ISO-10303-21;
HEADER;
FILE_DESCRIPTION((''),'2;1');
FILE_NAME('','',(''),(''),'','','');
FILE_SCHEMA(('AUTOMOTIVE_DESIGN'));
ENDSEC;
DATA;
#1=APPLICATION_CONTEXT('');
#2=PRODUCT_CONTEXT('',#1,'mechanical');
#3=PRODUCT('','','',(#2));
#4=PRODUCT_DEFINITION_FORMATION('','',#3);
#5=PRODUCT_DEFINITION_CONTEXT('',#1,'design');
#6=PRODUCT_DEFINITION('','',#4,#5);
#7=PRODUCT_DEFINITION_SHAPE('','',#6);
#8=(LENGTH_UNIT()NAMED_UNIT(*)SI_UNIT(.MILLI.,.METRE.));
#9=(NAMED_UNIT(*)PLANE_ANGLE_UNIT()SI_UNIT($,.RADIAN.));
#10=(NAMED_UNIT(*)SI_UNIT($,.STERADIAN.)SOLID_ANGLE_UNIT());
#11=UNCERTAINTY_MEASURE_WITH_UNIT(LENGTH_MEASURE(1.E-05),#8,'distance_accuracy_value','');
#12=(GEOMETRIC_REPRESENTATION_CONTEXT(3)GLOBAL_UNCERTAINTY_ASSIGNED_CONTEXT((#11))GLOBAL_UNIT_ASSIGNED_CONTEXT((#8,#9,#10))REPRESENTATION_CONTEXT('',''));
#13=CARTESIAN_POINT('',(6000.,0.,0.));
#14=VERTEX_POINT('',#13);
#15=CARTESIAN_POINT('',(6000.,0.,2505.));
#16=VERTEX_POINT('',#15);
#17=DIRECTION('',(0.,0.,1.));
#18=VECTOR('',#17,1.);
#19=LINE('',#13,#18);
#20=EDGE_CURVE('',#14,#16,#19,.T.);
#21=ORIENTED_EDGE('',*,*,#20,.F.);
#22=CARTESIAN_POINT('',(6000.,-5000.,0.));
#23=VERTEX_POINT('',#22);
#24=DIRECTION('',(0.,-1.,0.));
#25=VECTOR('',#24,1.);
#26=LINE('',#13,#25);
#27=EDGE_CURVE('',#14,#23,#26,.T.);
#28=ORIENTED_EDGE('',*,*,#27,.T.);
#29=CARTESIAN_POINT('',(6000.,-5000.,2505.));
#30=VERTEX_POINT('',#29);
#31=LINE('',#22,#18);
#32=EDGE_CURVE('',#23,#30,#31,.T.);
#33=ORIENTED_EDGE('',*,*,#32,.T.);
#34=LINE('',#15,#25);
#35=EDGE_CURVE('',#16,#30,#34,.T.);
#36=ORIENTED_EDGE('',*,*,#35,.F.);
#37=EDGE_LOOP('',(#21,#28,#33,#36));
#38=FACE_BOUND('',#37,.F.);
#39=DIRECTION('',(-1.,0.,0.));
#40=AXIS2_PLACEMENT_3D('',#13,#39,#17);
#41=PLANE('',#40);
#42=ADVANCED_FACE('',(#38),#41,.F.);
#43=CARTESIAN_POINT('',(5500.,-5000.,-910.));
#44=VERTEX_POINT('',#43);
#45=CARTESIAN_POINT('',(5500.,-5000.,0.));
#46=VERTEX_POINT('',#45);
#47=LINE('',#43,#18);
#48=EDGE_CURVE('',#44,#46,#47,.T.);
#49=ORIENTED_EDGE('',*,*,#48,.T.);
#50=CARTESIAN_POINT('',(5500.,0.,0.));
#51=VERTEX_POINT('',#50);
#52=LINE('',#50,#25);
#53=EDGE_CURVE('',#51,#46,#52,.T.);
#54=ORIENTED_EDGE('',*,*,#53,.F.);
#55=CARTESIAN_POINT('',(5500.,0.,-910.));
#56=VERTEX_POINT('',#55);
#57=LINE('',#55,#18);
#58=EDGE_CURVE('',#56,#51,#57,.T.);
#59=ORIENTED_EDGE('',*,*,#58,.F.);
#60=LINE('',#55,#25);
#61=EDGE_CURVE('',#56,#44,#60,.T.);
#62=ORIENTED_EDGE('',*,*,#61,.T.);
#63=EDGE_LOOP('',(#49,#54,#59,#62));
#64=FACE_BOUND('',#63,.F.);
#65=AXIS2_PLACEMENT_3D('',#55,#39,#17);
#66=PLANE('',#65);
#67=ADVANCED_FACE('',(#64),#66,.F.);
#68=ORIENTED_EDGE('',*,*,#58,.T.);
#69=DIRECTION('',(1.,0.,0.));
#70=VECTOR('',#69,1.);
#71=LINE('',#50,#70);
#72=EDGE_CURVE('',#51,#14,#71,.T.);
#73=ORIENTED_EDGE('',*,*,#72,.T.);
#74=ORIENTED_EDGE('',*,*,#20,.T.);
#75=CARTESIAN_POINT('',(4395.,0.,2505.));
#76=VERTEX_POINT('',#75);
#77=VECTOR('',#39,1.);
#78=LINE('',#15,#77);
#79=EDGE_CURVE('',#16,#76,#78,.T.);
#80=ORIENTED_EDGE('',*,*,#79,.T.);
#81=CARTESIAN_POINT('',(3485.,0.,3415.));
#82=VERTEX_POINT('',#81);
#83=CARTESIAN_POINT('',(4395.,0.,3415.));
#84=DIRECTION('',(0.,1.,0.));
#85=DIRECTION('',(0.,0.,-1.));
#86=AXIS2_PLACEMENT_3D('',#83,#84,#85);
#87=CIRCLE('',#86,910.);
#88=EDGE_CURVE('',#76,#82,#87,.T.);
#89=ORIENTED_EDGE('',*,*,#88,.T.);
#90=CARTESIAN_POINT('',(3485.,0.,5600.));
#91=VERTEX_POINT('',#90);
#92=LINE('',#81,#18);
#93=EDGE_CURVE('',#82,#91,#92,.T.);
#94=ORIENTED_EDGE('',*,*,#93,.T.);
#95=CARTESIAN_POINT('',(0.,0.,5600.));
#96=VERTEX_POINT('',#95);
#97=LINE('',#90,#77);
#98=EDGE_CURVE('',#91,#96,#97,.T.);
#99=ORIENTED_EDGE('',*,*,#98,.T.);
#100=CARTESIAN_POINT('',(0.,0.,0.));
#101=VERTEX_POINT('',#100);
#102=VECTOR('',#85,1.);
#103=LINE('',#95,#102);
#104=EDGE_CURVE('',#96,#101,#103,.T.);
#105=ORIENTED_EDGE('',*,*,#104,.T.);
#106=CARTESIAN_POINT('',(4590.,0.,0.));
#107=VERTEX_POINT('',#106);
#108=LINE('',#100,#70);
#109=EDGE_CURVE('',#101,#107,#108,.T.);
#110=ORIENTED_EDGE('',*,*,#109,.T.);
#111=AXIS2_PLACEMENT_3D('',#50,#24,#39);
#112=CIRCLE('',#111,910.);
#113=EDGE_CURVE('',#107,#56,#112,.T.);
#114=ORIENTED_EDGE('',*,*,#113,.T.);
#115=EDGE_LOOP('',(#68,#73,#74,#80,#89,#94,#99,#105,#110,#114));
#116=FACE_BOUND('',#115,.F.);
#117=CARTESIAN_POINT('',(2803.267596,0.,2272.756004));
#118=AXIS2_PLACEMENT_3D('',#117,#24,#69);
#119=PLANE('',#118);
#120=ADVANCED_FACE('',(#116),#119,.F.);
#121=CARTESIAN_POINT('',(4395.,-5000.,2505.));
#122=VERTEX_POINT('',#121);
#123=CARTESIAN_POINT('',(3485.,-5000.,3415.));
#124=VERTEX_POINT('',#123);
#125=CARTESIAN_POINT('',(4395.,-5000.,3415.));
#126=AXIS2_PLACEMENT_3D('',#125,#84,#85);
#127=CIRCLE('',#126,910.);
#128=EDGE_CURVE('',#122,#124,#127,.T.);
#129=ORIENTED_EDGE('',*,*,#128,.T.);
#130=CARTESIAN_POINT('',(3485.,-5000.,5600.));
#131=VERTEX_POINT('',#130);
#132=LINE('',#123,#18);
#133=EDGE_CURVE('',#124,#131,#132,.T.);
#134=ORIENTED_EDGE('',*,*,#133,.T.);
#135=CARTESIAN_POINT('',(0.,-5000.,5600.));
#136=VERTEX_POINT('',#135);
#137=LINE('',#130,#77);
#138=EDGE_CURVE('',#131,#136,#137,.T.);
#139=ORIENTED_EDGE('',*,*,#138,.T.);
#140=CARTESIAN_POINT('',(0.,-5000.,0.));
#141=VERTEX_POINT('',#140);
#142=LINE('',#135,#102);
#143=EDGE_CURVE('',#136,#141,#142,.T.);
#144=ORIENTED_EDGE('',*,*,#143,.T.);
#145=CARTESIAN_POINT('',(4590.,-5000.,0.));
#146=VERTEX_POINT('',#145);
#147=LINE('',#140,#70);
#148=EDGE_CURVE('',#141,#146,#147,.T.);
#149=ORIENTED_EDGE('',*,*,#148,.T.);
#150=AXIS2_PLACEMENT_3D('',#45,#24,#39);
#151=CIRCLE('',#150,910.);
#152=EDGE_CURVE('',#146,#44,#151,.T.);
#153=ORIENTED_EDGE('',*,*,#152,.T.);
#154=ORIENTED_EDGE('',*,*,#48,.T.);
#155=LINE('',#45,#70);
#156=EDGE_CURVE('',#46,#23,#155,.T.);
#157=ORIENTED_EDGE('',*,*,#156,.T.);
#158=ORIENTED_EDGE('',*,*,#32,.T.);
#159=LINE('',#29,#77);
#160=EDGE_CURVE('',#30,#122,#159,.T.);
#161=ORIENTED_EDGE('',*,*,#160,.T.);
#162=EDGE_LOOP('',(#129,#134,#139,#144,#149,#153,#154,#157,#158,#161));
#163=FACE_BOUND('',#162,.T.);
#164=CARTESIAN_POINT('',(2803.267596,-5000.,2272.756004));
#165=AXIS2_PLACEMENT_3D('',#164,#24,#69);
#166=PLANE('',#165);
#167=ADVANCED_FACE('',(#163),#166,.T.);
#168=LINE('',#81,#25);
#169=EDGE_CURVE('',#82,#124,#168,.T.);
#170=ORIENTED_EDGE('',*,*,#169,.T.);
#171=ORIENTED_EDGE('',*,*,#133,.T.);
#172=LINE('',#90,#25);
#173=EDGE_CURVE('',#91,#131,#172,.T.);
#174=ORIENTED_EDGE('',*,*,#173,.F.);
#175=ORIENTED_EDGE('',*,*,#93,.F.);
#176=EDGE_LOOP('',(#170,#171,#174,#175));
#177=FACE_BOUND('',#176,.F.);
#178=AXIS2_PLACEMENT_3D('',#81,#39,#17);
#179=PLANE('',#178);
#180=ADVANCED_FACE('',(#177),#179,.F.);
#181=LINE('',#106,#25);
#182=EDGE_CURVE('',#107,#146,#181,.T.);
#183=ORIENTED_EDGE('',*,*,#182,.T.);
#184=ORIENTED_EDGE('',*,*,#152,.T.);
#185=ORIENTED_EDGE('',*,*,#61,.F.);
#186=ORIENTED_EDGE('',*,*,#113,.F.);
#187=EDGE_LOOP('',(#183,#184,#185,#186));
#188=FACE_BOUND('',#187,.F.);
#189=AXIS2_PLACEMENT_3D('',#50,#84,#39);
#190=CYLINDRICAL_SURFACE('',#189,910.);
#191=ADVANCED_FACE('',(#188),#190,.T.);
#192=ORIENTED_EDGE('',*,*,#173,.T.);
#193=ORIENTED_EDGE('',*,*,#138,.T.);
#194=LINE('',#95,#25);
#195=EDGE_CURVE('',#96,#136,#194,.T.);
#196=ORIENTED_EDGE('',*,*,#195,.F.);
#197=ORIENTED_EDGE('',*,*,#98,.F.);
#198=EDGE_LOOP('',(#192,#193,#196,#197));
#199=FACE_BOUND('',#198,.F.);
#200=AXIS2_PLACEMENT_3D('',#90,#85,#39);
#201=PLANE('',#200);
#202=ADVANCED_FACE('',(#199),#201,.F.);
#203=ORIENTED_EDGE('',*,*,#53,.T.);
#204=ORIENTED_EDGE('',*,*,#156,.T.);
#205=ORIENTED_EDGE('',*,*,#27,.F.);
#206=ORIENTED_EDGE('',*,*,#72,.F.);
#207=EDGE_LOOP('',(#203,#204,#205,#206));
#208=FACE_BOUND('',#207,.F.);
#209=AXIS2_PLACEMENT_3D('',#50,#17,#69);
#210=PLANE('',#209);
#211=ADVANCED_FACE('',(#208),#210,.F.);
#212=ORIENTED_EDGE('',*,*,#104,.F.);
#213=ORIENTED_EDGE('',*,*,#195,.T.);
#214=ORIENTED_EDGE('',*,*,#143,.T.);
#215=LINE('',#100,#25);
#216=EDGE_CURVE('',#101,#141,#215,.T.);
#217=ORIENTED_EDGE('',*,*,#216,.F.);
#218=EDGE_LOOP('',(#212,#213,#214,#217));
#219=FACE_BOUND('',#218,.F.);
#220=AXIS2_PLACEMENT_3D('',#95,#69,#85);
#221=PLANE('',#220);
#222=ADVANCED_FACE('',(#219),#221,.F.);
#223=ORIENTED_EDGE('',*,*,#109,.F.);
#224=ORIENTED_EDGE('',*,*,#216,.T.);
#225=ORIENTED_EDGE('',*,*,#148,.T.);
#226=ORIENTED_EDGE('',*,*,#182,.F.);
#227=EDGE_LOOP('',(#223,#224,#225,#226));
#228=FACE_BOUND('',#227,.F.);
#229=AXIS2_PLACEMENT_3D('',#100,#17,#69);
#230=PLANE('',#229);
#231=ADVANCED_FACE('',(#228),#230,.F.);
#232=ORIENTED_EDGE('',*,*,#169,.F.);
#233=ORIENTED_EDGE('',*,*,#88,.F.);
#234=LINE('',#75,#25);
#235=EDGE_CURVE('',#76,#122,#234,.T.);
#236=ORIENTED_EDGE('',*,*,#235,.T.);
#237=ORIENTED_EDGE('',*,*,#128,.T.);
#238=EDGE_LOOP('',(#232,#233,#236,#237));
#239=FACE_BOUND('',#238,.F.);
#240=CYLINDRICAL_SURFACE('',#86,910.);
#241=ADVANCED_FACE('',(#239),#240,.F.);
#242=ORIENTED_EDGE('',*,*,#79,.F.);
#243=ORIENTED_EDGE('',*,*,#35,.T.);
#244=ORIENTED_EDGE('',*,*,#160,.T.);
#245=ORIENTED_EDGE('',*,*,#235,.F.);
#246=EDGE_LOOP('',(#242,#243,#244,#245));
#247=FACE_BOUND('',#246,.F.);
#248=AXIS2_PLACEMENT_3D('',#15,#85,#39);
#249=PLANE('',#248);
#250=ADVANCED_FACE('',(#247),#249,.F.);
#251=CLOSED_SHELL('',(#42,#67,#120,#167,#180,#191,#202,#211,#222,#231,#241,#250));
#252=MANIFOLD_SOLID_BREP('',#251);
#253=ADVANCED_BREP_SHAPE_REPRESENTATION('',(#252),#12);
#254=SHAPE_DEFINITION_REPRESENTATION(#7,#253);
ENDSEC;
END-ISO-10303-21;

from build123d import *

# Parameters (mm, degrees)
F1_DEPTH = 5000


with BuildPart() as f1:
    # F0 (on Front) → F1 (new body)
    with BuildSketch(Plane.XZ):
        with BuildLine():
            Line((3485, 5600), (0, 5600))
            Line((0, 5600), (0, 0))
            Line((0, 0), (4590, 0))
            ThreePointArc((4590, 0), (4856.532829, -643.467171), (5500, -910))
            Line((5500, -910), (5500, 0))
            Line((5500, 0), (6000, 0))
            Line((6000, 0), (6000, 2505))
            Line((6000, 2505), (5710, 2505))
            Line((5710, 2505), (5420, 2505))
            Line((5420, 2505), (5130, 2505))
            Line((5130, 2505), (4840, 2505))
            Line((4840, 2505), (4395, 2505))
            ThreePointArc((4395, 2505), (3751.532829, 2771.532829), (3485, 3415))
            Line((3485, 3415), (3485, 3860))
            Line((3485, 3860), (3485, 4150))
            Line((3485, 4150), (3485, 4440))
            Line((3485, 4440), (3485, 4730))
            Line((3485, 4730), (3485, 5020))
            Line((3485, 5020), (3485, 5310))
            Line((3485, 5310), (3485, 5600))
        make_face()
    extrude(amount=F1_DEPTH)


solid = f1.part
